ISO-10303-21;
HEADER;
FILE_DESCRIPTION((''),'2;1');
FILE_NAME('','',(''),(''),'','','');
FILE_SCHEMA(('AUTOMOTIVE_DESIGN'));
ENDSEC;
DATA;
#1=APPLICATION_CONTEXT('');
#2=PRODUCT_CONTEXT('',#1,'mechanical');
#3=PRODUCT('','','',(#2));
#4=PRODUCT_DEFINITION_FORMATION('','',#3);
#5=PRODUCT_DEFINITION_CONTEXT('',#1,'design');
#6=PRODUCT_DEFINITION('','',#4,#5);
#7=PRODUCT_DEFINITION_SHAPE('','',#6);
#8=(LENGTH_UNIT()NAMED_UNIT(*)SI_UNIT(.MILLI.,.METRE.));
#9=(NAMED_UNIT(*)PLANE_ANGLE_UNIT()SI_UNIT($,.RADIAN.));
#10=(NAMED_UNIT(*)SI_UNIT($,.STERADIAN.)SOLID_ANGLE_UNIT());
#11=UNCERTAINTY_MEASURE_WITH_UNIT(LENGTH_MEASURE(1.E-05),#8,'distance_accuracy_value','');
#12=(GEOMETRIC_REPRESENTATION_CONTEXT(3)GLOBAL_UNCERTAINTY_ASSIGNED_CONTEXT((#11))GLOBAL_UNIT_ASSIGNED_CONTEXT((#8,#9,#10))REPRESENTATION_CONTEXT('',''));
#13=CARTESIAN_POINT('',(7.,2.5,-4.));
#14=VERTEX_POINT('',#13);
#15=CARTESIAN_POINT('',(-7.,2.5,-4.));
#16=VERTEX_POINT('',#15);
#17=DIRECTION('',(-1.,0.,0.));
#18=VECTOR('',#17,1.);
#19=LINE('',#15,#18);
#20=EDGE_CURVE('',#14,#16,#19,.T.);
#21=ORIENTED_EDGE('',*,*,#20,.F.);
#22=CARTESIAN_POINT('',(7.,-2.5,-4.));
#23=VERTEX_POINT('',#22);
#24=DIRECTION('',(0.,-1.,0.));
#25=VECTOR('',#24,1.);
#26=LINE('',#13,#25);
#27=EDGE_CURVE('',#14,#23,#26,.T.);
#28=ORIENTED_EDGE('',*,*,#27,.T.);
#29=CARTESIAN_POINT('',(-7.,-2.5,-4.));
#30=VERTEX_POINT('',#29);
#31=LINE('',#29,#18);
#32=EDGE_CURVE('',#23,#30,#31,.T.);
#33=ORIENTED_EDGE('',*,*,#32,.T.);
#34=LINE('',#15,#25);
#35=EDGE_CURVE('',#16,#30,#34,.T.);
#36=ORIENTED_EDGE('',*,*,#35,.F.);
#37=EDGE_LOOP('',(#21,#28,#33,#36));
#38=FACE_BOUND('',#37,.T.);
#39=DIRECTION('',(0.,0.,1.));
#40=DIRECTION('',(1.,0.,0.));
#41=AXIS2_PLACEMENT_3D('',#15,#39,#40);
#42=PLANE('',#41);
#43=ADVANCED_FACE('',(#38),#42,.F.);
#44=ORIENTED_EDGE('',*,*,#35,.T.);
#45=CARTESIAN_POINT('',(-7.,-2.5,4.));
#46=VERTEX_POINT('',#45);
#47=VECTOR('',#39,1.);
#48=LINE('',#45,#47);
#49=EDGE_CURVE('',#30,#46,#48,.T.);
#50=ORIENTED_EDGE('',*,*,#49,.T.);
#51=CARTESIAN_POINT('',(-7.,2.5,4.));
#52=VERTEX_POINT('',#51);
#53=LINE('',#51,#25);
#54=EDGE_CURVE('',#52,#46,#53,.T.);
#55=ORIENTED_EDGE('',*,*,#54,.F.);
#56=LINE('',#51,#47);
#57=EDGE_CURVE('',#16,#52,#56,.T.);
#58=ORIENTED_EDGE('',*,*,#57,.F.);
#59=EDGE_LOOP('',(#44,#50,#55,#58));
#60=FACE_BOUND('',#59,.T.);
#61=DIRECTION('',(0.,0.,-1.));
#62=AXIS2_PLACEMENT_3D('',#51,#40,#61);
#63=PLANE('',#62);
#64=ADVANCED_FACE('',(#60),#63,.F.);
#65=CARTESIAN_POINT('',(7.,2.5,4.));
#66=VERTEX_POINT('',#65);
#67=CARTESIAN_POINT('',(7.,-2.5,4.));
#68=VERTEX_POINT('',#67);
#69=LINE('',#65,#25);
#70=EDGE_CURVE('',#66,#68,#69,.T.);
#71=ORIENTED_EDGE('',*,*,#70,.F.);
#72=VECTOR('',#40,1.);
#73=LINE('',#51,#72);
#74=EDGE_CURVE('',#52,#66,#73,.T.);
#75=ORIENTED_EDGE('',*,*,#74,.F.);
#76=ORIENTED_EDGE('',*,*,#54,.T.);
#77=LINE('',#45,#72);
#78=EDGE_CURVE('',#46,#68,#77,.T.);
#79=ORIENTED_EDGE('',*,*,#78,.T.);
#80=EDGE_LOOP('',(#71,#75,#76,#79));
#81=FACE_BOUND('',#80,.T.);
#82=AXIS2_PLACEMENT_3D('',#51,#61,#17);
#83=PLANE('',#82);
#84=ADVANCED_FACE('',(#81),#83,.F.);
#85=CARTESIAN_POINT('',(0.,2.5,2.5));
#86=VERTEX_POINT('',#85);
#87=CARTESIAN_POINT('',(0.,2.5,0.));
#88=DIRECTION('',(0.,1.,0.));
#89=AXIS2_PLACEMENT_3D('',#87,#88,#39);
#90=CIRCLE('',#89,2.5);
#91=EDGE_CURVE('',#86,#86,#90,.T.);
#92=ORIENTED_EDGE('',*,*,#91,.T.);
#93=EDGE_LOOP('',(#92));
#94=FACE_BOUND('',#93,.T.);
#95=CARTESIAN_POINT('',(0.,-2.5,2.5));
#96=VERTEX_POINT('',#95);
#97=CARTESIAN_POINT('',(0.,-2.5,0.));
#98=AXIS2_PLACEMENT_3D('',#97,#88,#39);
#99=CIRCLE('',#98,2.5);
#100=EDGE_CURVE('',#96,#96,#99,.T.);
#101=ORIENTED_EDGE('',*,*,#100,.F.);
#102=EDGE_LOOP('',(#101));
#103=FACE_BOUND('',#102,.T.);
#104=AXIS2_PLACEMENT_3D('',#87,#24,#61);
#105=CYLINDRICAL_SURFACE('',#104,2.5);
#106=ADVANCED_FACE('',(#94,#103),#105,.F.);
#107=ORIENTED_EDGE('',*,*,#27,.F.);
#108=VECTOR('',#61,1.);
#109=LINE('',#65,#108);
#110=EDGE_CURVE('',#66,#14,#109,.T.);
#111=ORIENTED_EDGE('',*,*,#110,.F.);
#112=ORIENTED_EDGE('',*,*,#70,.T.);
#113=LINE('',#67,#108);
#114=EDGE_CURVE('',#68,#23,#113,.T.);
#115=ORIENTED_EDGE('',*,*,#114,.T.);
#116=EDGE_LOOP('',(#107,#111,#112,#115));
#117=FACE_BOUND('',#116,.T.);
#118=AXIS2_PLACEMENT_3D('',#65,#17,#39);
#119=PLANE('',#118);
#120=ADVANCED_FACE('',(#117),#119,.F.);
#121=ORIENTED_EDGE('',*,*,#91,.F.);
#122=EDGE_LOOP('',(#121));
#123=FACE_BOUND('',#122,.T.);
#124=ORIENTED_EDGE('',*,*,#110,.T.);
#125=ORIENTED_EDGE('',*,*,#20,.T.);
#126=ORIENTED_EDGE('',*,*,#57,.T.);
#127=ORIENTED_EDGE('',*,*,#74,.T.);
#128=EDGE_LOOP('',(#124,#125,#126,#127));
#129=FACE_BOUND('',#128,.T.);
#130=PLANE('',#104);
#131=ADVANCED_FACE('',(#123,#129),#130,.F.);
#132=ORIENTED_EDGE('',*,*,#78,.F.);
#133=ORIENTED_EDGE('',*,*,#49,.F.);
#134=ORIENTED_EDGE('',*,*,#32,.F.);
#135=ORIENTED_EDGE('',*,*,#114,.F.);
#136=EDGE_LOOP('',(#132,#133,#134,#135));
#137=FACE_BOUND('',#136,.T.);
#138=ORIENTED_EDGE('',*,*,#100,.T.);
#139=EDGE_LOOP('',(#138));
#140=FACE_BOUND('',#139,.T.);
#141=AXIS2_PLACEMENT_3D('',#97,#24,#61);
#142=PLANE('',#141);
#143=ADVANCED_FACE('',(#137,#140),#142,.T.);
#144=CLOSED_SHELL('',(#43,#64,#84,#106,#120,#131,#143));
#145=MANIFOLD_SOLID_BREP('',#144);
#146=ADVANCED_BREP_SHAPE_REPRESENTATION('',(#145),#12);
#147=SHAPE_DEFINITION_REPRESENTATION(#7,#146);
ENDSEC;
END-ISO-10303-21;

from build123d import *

# Parameters (mm, degrees)
SKETCH1_W           = 14
SKETCH1_H           = 8
SKETCH1_R           = 2.5
BOSS_EXTRUDE1_DEPTH = 2.5


with BuildPart() as part:
    # Sketch1 → Boss-Extrude1 (new, symmetric)
    with BuildSketch(Plane(origin=(0, 0, 0), x_dir=(1, 0, 0), z_dir=(0, 1, 0))):
        Rectangle(SKETCH1_W, SKETCH1_H)
        with Locations(Location((0, 0, 0), (0, 0, 270))):
            Circle(SKETCH1_R, mode=Mode.SUBTRACT)
    extrude(amount=BOSS_EXTRUDE1_DEPTH, both=True)


solid = part.part
